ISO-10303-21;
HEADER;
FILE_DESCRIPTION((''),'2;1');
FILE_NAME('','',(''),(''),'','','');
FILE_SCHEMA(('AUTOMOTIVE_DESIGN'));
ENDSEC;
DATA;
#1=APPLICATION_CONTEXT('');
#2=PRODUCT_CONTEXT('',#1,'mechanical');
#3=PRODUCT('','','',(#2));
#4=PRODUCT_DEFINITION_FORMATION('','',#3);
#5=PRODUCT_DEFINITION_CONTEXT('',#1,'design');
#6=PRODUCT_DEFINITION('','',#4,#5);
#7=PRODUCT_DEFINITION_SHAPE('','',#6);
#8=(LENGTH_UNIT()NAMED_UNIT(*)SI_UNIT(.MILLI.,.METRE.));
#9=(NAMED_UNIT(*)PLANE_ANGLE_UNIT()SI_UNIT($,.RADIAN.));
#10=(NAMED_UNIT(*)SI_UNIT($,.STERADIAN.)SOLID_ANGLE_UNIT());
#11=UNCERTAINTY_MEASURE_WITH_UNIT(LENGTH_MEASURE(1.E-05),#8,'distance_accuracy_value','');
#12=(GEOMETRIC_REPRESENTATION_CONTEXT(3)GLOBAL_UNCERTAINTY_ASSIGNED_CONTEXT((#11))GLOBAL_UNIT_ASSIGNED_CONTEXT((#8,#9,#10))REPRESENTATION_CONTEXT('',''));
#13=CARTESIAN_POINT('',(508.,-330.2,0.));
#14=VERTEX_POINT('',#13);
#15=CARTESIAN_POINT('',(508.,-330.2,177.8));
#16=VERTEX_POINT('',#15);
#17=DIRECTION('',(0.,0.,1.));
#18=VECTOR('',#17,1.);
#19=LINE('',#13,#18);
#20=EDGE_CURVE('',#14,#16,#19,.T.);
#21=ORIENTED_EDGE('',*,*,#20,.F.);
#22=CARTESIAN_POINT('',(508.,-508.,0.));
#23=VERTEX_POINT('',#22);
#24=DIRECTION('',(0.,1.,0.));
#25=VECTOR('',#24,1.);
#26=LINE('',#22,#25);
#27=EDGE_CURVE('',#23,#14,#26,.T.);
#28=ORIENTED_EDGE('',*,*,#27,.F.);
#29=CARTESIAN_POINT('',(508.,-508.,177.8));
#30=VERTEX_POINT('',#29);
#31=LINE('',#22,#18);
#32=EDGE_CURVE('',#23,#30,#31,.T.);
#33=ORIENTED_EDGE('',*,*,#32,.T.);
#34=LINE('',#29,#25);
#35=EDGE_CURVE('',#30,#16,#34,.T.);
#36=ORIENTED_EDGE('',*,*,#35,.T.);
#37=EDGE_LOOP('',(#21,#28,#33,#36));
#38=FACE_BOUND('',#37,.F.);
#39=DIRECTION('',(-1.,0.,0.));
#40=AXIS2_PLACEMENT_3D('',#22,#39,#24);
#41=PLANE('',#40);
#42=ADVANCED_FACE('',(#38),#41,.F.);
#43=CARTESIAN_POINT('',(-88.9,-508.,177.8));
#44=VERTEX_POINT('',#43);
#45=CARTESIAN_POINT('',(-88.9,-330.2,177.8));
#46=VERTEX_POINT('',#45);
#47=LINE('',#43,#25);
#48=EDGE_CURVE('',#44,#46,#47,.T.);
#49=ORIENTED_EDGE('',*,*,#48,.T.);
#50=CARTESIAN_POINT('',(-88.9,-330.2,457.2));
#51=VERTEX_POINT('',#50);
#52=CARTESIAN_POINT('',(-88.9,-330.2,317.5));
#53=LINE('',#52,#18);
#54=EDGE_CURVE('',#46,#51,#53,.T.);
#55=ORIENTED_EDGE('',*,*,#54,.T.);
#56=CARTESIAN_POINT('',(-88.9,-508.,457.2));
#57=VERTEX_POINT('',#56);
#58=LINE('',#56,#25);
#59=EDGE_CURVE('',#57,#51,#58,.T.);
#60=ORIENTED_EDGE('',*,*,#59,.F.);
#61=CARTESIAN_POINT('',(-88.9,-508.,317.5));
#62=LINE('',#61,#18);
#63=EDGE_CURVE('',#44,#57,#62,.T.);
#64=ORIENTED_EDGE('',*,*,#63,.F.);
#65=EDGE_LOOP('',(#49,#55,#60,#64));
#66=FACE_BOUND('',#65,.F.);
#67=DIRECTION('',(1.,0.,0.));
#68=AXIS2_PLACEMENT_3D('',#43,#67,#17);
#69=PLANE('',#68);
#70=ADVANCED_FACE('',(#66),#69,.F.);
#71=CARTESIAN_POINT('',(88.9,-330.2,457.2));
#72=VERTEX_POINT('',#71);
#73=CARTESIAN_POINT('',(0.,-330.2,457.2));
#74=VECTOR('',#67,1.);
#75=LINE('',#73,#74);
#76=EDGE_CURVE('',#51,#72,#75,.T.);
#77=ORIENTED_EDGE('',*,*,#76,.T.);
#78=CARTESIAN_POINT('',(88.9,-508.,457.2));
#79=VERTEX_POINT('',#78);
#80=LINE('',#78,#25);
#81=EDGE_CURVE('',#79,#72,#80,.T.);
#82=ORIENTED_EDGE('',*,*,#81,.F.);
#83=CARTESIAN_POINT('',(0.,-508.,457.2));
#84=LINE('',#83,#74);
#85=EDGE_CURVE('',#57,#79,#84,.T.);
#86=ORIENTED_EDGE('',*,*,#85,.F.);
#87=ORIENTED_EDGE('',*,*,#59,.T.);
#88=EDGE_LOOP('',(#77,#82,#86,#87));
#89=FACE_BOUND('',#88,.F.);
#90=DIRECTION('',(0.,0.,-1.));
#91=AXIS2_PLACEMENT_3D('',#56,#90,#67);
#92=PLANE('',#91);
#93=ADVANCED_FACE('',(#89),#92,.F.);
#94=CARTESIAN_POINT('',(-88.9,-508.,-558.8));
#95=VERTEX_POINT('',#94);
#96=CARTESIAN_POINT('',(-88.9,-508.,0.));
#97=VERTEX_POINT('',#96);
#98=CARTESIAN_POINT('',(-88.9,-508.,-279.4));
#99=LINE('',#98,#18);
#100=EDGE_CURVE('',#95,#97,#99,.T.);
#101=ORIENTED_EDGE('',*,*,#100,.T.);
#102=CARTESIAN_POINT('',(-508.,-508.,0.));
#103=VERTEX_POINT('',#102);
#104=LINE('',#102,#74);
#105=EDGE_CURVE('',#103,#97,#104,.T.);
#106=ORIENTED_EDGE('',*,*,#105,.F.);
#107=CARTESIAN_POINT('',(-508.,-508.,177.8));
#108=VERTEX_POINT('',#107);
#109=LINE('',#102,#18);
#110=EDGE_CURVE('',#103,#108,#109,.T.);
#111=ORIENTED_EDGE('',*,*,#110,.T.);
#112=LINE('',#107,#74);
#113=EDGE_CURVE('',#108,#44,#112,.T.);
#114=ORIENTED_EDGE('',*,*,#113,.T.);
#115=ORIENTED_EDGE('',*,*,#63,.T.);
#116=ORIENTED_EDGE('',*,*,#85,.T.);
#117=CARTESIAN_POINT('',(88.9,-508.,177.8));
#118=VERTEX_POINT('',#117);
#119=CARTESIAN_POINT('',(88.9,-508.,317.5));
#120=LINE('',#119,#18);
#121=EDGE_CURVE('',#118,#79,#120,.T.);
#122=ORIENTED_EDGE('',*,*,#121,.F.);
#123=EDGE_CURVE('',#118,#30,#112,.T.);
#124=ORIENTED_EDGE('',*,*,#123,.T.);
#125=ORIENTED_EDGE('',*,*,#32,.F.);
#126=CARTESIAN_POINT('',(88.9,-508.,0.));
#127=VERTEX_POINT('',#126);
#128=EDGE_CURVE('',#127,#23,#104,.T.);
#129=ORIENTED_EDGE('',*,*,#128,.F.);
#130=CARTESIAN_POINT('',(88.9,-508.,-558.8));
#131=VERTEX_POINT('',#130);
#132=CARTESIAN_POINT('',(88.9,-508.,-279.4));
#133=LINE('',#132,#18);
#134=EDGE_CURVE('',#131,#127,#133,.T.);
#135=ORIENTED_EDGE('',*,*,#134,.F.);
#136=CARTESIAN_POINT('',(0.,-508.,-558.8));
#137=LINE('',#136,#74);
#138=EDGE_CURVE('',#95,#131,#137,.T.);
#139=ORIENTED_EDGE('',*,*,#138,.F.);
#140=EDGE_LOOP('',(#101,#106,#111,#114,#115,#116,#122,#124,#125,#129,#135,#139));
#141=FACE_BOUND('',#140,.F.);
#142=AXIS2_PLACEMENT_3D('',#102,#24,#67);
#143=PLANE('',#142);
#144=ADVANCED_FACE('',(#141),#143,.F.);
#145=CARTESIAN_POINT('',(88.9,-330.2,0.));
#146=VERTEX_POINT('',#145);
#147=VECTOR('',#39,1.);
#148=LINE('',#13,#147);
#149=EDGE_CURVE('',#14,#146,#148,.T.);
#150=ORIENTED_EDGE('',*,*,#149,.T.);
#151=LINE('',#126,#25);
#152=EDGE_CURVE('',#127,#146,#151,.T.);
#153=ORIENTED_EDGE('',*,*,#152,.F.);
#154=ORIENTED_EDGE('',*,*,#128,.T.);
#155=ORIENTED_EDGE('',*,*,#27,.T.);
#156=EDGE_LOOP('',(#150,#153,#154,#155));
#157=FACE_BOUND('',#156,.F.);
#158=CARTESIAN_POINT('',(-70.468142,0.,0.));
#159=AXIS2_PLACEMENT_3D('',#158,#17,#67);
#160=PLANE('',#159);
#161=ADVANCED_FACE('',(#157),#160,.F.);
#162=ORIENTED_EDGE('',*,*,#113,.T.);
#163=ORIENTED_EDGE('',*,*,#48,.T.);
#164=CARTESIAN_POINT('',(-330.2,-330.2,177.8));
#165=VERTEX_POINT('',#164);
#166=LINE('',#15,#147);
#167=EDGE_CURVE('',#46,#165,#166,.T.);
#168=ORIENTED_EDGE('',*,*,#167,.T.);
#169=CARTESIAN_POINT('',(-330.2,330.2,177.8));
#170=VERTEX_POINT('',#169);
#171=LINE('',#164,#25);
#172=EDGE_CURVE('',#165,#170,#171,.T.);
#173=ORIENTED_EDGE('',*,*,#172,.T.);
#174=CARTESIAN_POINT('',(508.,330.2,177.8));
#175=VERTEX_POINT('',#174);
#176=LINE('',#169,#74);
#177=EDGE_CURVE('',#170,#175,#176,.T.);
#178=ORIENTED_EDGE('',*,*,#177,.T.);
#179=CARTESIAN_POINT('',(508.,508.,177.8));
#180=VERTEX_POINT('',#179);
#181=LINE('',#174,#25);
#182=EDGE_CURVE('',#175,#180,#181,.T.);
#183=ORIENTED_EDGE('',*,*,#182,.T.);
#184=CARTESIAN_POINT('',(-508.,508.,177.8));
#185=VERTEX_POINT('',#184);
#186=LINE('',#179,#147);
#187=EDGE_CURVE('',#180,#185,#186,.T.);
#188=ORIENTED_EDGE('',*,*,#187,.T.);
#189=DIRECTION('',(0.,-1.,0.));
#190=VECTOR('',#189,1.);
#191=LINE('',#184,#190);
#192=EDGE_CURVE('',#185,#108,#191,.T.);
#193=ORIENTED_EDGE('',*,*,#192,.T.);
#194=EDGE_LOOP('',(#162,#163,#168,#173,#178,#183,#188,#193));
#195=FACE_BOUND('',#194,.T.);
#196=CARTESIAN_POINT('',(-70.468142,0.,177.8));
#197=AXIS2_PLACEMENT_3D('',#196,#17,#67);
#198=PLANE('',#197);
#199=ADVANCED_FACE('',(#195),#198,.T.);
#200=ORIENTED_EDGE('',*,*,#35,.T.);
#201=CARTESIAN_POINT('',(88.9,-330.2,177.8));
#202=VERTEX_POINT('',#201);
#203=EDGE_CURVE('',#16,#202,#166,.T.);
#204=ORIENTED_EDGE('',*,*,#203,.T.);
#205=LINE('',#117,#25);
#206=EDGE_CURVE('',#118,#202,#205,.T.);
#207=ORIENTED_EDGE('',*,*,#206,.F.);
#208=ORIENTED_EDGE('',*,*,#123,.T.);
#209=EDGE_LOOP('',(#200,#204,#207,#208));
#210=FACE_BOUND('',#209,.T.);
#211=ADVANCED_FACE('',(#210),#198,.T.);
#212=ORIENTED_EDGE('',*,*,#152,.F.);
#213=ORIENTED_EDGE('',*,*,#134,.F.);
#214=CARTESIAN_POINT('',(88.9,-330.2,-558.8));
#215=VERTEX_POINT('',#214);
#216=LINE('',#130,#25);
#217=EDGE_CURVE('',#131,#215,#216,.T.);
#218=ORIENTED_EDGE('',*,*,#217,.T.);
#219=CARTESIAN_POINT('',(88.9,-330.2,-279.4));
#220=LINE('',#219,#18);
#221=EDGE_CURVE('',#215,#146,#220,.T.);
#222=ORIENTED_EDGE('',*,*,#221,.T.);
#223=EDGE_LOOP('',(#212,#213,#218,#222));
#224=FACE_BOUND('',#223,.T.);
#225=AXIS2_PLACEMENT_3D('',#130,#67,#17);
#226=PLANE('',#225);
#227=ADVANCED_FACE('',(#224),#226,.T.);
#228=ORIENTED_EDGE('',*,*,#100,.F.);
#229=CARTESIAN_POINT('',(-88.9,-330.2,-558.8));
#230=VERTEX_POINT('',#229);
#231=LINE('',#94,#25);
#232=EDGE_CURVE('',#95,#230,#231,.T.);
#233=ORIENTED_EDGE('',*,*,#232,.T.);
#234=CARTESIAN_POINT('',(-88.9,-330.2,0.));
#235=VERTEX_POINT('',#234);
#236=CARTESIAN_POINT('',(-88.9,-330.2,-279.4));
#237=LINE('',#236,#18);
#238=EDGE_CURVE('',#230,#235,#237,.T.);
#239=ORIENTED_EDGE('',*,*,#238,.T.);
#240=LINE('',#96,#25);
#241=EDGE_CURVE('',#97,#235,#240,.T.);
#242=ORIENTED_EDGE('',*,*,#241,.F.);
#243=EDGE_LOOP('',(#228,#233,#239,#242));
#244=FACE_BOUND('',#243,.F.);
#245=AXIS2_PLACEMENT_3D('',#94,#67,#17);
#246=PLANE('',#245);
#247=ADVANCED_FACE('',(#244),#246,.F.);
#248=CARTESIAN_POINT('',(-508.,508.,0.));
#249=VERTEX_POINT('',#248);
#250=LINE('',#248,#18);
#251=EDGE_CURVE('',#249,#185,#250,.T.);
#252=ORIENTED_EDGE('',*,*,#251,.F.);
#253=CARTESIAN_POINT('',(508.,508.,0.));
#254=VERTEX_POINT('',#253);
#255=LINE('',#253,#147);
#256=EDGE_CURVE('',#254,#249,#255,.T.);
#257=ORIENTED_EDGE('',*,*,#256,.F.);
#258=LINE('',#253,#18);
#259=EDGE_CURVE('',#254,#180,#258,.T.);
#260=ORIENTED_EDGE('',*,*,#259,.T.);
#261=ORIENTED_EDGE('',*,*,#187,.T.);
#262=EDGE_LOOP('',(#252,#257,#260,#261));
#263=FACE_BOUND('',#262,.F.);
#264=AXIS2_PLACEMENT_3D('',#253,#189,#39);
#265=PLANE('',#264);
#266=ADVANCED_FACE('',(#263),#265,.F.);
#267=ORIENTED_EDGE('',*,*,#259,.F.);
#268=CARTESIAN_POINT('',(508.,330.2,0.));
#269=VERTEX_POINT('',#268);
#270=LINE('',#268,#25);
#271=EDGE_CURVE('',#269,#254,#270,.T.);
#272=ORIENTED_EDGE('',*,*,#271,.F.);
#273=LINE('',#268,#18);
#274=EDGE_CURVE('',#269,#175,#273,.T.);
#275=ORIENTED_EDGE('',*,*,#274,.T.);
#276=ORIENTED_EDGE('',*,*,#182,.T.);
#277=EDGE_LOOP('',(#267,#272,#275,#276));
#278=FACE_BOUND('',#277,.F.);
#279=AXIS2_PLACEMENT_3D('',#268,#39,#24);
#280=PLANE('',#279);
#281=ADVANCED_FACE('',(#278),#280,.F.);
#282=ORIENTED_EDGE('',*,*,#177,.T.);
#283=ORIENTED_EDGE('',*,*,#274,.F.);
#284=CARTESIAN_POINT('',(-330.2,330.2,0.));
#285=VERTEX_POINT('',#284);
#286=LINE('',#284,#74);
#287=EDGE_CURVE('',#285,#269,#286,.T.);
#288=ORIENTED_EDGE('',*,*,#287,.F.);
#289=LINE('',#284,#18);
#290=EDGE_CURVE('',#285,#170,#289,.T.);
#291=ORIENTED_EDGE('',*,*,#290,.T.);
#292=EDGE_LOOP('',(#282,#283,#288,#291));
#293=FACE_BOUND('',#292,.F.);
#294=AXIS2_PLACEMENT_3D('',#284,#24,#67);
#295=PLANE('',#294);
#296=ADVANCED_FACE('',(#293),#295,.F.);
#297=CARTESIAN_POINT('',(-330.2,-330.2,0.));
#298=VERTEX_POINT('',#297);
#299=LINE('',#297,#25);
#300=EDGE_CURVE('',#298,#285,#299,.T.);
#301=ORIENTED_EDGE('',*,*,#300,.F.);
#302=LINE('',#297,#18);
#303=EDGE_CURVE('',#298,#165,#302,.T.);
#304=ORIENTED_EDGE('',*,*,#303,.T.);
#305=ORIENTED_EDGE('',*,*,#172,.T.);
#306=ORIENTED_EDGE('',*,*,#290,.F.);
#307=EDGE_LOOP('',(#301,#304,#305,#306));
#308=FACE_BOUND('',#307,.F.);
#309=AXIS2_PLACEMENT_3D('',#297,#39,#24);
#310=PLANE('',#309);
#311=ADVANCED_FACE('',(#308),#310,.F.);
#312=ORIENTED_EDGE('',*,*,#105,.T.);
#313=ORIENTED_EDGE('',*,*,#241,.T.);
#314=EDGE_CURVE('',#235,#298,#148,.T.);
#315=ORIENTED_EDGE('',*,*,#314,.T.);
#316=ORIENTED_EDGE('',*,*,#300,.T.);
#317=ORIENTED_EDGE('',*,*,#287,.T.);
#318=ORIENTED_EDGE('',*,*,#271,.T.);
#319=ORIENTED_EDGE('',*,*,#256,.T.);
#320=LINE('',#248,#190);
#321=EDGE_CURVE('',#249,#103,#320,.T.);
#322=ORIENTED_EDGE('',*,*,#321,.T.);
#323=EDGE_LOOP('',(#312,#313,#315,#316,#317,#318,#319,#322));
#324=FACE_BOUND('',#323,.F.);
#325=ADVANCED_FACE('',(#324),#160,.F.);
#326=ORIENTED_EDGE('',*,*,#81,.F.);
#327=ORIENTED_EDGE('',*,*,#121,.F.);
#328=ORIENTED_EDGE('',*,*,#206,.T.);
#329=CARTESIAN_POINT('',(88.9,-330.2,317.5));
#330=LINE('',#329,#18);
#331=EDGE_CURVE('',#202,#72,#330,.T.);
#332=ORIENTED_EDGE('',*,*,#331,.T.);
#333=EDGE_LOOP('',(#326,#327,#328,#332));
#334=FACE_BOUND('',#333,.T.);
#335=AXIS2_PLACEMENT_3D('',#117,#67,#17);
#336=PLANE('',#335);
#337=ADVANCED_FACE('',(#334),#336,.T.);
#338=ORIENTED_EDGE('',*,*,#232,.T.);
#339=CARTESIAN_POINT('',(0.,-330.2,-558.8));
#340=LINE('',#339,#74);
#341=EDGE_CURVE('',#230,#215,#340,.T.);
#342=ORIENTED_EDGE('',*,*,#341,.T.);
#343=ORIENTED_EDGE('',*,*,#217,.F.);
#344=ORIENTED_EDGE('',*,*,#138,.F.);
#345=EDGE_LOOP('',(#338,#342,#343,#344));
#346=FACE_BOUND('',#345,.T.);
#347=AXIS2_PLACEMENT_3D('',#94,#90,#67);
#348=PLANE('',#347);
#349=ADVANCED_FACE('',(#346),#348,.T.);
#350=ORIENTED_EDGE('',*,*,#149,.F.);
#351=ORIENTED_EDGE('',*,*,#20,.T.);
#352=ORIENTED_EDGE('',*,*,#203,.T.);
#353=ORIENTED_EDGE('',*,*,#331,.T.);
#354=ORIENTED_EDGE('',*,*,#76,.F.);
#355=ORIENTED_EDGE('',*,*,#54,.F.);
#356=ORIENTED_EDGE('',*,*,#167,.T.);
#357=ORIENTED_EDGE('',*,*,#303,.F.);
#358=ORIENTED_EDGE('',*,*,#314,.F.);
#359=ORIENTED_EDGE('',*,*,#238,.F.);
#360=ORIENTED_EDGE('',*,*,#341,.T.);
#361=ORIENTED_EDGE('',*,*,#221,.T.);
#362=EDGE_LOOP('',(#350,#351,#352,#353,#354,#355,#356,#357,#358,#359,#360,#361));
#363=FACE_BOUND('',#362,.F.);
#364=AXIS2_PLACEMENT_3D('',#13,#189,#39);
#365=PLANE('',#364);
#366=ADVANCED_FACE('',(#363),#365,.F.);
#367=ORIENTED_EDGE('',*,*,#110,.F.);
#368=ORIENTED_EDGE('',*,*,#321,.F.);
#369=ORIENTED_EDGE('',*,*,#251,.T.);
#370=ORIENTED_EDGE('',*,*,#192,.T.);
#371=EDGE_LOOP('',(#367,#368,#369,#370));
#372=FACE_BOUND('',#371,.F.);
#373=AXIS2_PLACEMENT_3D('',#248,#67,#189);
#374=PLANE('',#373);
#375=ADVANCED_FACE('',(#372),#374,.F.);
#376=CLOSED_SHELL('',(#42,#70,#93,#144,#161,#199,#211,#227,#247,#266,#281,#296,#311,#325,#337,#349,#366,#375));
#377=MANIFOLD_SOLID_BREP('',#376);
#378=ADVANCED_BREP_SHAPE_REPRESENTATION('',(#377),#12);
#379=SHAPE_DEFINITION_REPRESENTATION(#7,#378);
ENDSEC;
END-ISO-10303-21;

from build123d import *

# Parameters (mm, degrees)
F1_DEPTH = 177.8
F2_W     = 177.8
F2_H     = 279.4
F2_H_2   = 558.8
F3_DEPTH = 177.8


with BuildPart() as f1:
    # F0 (on Top) → F1 (new body)
    with BuildSketch(Plane.XY):
        Polygon((508, 330.2), (508, 508), (-508, 508), (-508, -508), (508, -508), (508, -330.2), (-330.2, -330.2), (-330.2, 330.2), align=None)
    extrude(amount=F1_DEPTH)

    # F2 (on face) → F3 (join)
    with BuildSketch(Plane.XZ.offset(508)):
        with Locations((0, 317.5)):
            Rectangle(F2_W, F2_H)
        with Locations((0, -279.4)):
            Rectangle(F2_W, F2_H_2)
    extrude(amount=-F3_DEPTH)


solid = f1.part
